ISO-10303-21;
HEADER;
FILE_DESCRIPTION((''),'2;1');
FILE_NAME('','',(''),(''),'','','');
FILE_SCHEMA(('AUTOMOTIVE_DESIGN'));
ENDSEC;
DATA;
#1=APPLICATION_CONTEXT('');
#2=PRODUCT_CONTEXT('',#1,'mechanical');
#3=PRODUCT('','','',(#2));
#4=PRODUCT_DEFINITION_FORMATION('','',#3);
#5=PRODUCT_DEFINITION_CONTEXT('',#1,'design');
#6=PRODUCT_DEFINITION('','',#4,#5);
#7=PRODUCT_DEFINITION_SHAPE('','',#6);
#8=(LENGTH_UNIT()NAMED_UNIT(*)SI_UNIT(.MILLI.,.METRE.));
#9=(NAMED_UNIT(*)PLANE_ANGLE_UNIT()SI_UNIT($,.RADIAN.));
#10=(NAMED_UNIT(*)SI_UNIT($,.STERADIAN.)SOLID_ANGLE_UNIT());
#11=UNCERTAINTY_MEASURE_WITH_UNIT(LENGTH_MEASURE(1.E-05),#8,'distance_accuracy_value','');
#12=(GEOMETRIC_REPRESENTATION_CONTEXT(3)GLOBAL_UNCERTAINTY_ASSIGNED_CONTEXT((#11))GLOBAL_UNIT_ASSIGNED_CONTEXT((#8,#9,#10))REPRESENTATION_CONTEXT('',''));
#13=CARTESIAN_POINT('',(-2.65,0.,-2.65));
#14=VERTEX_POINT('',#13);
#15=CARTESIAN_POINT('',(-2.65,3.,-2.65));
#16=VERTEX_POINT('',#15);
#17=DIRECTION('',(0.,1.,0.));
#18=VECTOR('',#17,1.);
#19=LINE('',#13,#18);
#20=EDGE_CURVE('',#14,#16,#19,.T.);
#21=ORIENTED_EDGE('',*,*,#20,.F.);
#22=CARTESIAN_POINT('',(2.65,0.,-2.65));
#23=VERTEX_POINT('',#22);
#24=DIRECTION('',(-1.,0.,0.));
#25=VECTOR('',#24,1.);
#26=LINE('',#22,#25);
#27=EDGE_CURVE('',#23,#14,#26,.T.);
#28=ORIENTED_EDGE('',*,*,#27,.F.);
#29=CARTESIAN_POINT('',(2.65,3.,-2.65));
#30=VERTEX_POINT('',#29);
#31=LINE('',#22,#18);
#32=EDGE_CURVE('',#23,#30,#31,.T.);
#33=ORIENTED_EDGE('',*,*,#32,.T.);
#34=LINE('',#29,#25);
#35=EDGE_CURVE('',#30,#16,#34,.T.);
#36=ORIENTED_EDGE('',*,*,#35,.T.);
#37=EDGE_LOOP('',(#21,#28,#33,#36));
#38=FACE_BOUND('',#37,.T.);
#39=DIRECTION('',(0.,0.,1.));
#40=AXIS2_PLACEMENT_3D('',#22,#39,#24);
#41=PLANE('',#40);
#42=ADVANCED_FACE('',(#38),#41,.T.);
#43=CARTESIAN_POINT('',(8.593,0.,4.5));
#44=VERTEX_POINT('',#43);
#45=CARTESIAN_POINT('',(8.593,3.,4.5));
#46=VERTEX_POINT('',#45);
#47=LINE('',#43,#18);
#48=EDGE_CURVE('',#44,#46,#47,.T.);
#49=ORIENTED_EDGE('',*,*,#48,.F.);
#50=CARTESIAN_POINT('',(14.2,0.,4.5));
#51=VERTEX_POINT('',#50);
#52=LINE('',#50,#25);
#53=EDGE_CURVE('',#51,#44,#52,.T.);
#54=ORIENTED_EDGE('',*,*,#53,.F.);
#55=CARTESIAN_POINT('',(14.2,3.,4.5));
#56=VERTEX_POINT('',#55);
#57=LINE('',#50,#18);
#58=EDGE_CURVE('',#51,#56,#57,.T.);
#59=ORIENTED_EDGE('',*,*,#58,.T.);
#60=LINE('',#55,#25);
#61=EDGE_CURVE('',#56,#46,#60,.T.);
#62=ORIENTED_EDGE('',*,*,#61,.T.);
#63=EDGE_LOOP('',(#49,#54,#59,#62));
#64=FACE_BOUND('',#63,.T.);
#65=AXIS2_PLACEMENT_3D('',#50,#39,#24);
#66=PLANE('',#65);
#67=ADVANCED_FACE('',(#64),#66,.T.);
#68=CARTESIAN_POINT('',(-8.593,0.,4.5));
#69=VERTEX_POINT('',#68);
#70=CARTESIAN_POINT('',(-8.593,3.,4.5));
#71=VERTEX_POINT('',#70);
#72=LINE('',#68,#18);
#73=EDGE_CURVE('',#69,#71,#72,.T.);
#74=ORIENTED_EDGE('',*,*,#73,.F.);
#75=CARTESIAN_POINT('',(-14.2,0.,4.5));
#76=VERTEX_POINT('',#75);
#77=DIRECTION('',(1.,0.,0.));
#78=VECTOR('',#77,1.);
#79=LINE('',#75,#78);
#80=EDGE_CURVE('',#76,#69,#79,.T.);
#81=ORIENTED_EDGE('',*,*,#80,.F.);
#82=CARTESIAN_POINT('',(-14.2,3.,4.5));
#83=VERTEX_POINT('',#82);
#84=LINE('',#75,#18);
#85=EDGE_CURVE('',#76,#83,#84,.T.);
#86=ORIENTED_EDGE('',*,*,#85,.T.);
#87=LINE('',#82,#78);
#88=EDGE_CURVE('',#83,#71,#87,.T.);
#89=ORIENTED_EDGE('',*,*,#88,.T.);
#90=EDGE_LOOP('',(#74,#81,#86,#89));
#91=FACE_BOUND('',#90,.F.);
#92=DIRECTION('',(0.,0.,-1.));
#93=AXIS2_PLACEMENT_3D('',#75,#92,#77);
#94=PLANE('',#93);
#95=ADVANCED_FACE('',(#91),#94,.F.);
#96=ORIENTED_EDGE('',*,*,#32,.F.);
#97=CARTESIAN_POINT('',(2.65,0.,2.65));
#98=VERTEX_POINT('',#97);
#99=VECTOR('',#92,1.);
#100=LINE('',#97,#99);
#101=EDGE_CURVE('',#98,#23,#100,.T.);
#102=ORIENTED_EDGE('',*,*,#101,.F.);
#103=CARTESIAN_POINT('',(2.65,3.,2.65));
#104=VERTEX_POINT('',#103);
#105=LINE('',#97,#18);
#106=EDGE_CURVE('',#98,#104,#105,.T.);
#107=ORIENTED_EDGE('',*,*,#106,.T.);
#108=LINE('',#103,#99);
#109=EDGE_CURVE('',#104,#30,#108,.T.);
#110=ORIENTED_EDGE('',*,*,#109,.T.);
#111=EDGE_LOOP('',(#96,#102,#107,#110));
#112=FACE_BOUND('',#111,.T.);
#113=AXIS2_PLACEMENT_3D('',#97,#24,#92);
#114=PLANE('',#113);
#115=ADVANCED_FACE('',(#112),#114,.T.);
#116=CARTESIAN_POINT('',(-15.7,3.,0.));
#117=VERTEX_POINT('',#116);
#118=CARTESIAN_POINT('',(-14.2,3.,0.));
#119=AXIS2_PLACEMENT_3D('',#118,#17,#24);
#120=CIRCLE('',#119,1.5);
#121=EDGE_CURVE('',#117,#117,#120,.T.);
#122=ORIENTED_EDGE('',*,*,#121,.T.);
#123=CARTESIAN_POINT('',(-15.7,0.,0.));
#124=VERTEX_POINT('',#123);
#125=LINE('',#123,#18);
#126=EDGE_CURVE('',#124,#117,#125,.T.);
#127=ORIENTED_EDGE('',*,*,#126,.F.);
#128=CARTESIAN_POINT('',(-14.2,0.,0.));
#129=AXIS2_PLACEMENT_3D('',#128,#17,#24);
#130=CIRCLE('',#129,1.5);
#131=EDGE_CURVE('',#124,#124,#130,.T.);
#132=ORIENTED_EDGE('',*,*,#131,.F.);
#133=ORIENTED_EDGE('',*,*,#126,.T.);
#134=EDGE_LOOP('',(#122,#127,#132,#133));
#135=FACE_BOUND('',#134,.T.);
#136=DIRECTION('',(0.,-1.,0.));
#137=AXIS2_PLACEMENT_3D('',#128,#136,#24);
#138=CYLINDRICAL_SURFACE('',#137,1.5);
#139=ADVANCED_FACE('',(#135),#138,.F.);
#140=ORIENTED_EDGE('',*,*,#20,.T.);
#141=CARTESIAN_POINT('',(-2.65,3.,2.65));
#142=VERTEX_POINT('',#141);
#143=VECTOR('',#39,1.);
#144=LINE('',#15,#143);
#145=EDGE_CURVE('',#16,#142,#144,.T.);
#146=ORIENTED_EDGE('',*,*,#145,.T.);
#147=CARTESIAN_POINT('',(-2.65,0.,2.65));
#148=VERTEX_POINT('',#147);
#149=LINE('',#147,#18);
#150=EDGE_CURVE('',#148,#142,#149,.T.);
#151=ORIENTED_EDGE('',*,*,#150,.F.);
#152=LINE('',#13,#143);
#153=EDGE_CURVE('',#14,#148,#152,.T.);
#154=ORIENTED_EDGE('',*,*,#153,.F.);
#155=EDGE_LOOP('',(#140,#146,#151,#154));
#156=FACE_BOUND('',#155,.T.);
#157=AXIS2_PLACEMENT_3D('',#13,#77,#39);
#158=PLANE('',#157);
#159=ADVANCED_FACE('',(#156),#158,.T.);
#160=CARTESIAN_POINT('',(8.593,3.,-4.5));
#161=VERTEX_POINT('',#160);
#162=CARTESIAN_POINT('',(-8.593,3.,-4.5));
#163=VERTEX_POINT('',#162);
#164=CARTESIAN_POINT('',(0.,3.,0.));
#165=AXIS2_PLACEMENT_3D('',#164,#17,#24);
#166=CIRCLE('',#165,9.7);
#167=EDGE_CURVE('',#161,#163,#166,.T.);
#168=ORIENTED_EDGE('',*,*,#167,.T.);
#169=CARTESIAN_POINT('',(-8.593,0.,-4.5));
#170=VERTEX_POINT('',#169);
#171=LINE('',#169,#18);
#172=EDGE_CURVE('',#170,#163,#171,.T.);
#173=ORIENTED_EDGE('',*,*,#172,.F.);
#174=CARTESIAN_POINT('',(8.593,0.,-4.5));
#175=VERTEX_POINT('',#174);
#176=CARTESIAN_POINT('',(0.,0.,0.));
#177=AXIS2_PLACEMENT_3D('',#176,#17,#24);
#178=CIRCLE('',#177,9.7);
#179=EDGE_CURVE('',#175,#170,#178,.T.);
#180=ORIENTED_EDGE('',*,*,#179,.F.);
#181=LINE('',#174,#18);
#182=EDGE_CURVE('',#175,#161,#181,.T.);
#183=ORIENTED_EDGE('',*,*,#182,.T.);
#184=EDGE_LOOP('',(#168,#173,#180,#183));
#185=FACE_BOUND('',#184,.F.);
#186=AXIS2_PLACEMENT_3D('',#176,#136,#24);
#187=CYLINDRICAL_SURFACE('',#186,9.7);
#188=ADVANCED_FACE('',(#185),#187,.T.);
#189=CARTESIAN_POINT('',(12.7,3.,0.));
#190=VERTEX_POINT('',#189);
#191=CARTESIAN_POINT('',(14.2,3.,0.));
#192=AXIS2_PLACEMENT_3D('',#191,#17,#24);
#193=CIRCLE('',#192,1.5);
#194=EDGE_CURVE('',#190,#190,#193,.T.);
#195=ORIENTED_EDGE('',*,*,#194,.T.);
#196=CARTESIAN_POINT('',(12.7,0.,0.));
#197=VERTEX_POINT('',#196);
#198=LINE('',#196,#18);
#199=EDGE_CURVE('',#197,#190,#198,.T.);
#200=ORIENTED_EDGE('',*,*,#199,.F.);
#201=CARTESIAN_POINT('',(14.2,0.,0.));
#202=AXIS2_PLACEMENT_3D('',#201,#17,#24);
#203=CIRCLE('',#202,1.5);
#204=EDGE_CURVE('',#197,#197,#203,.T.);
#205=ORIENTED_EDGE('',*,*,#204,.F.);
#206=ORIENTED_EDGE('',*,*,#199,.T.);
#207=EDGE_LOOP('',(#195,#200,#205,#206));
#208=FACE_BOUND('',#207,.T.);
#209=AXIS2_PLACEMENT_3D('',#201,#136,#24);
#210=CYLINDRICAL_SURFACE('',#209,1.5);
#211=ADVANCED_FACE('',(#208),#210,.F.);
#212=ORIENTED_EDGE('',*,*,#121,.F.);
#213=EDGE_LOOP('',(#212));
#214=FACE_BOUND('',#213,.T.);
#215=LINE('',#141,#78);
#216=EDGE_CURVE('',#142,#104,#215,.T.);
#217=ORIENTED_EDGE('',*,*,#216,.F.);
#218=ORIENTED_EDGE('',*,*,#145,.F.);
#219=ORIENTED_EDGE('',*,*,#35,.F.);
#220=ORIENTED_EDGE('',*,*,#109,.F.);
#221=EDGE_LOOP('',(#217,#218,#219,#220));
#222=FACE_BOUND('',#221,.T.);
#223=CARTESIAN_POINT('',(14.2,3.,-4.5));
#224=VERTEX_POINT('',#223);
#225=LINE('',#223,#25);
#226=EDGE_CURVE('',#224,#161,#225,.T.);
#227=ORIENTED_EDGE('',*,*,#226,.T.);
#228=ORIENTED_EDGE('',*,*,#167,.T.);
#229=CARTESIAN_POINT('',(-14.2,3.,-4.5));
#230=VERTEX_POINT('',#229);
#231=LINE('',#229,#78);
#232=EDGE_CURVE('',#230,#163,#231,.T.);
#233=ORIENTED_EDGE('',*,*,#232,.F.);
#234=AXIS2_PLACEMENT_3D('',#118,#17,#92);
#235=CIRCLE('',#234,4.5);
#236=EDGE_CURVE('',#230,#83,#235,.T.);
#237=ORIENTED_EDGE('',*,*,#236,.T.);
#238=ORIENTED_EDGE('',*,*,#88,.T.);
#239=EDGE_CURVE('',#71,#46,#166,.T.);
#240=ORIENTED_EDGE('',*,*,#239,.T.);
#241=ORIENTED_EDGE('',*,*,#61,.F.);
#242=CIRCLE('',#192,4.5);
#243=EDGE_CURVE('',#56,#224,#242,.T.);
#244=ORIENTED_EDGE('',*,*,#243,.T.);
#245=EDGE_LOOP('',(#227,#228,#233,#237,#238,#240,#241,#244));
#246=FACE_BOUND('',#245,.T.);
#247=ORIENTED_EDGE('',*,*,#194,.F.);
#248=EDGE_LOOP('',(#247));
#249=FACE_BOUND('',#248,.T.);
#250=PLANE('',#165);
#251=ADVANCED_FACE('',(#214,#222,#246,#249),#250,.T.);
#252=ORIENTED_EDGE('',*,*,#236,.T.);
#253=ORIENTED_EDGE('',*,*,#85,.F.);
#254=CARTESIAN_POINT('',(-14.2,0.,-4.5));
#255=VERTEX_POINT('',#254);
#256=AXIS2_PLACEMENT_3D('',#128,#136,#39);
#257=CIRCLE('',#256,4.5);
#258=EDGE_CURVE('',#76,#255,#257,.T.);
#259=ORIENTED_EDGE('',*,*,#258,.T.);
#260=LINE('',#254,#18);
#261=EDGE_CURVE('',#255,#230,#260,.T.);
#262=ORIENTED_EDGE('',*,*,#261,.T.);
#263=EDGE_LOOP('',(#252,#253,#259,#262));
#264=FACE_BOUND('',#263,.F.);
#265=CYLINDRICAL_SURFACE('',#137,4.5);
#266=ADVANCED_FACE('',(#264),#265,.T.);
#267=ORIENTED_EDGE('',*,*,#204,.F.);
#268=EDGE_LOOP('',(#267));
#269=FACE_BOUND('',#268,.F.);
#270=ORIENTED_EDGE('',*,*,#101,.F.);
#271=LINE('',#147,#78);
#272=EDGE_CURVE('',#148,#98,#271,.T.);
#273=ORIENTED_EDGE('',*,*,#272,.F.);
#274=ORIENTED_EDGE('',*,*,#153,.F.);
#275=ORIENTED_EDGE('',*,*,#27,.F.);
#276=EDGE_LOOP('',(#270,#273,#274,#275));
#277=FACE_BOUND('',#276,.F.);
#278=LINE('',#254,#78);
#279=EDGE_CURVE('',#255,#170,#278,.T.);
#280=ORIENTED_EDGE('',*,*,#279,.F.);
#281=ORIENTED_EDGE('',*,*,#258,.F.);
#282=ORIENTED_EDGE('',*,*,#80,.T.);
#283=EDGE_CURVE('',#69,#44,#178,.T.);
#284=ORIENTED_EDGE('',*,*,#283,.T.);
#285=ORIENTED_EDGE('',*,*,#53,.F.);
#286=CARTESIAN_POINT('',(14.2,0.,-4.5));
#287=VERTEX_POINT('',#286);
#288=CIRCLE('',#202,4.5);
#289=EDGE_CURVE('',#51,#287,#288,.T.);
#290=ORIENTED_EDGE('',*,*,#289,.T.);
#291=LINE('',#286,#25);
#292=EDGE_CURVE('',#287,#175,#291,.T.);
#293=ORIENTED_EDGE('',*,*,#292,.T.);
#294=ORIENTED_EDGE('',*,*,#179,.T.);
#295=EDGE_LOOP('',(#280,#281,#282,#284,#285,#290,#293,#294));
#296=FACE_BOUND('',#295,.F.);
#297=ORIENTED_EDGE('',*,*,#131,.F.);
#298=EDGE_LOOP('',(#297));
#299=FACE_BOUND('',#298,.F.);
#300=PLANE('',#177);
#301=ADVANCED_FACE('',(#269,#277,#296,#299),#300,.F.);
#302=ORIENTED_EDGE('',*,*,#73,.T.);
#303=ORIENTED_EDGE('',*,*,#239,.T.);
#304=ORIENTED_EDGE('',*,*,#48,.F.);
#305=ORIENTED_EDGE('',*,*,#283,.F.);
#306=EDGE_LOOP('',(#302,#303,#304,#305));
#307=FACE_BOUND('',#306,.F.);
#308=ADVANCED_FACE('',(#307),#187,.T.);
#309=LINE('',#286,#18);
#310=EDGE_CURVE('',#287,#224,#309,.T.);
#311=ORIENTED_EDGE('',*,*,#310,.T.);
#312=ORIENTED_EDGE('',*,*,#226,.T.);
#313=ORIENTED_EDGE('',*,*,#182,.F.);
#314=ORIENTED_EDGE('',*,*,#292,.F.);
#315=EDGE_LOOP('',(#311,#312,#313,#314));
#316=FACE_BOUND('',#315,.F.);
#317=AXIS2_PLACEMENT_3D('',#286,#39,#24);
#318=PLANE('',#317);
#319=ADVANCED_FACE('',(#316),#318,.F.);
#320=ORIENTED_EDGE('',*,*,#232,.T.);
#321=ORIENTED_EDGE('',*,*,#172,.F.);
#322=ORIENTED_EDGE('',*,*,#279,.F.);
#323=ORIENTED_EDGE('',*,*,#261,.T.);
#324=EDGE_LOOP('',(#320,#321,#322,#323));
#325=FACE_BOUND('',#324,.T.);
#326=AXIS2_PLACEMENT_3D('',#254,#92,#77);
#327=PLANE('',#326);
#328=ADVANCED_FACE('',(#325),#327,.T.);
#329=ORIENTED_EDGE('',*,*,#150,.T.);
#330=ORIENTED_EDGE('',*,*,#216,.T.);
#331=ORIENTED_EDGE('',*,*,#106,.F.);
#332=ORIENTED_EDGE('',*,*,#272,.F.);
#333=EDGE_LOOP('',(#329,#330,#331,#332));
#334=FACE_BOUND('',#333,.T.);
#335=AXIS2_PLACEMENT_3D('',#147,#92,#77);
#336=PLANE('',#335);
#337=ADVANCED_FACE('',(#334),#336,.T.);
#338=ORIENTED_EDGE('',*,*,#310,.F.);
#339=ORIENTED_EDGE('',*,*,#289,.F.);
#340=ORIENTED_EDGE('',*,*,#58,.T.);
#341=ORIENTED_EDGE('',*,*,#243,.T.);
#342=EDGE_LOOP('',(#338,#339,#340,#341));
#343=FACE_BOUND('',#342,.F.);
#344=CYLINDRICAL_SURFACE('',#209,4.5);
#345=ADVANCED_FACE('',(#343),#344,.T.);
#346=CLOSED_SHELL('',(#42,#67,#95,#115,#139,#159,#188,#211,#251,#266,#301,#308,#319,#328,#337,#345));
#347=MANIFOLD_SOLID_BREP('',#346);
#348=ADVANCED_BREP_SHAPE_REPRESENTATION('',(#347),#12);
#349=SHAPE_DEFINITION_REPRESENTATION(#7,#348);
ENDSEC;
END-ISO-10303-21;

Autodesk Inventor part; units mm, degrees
ref_plane "YZ Plane" through (0, 0, 0) normal (1, 0, 0) x (0, 1, 0)
ref_plane "XZ Plane" through (0, 0, 0) normal (0, 1, 0) x (-1, 0, 0)
ref_plane "XY Plane" through (0, 0, 0) normal (0, 0, 1) x (1, 0, 0)
sketch "Sketch1" plane through (0, 0, 0) normal (0, 1, 0) x (-1, 0, 0)
  circle A0 centre (0, 0) radius 9.7
  circle A1 centre (14.2, 0) radius 1.5
  line L0 (12.7, 0) -> (9.7, 0) construction
  line L1 (12.7, 0) -> (15.7, 0) construction
  circle A2 centre (14.2, 0) radius 4.5
  line L2 (14.2, -4.5) -> (8.593, -4.5)
  line L3 (14.2, -4.5) -> (19.807, -4.5) construction
  line L4 (14.2, 4.5) -> (8.593, 4.5)
  line L5 (14.2, 4.5) -> (19.807, 4.5) construction
  line L6 (0, 0) -> (5, 0) construction
  line L7 (0, 0) -> (0, 5) construction
  line L8 (0, 0) -> (5, 0) construction
  line L9 (-12.7, 0) -> (-9.7, 0) construction
  line L10 (-14.2, -4.5) -> (-8.593, -4.5)
  line L11 (-12.7, 0) -> (-15.7, 0) construction
  circle A3 centre (-14.2, 0) radius 1.5
  circle A4 centre (-14.2, 0) radius 4.5
  line L12 (-14.2, -4.5) -> (-19.807, -4.5) construction
  line L13 (-14.2, 4.5) -> (-19.807, 4.5) construction
  line L14 (-14.2, 4.5) -> (-8.593, 4.5)
  line L15 (2.65, -2.65) -> (2.65, 2.65)
  line L16 (2.65, 2.65) -> (-2.65, 2.65)
  line L17 (-2.65, 2.65) -> (-2.65, -2.65)
  line L18 (-2.65, -2.65) -> (2.65, -2.65)
  line L19 (2.65, -2.65) -> (-2.65, 2.65) construction
  line L20 (2.65, 2.65) -> (-2.65, -2.65) construction
  line L21 (2.65, -2.65) -> (7.95, -2.65) construction
  dimension "d1" = 3
  dimension "d0" = 19.4
  dimension "d2" = 180
  dimension "d3" = 3
  dimension "d4" = 9
  dimension "d5" = 180
  dimension "d6" = 180
  dimension "d15" = 90
  dimension "d18" = 360
  dimension "d20" = 5.3
  dimension "d21" = 90
  dimension "d22" = 5.3
extrude "Extrusion2" add sketch "Sketch1" along normal blind 3
properties part number "ArmBottomCap"
